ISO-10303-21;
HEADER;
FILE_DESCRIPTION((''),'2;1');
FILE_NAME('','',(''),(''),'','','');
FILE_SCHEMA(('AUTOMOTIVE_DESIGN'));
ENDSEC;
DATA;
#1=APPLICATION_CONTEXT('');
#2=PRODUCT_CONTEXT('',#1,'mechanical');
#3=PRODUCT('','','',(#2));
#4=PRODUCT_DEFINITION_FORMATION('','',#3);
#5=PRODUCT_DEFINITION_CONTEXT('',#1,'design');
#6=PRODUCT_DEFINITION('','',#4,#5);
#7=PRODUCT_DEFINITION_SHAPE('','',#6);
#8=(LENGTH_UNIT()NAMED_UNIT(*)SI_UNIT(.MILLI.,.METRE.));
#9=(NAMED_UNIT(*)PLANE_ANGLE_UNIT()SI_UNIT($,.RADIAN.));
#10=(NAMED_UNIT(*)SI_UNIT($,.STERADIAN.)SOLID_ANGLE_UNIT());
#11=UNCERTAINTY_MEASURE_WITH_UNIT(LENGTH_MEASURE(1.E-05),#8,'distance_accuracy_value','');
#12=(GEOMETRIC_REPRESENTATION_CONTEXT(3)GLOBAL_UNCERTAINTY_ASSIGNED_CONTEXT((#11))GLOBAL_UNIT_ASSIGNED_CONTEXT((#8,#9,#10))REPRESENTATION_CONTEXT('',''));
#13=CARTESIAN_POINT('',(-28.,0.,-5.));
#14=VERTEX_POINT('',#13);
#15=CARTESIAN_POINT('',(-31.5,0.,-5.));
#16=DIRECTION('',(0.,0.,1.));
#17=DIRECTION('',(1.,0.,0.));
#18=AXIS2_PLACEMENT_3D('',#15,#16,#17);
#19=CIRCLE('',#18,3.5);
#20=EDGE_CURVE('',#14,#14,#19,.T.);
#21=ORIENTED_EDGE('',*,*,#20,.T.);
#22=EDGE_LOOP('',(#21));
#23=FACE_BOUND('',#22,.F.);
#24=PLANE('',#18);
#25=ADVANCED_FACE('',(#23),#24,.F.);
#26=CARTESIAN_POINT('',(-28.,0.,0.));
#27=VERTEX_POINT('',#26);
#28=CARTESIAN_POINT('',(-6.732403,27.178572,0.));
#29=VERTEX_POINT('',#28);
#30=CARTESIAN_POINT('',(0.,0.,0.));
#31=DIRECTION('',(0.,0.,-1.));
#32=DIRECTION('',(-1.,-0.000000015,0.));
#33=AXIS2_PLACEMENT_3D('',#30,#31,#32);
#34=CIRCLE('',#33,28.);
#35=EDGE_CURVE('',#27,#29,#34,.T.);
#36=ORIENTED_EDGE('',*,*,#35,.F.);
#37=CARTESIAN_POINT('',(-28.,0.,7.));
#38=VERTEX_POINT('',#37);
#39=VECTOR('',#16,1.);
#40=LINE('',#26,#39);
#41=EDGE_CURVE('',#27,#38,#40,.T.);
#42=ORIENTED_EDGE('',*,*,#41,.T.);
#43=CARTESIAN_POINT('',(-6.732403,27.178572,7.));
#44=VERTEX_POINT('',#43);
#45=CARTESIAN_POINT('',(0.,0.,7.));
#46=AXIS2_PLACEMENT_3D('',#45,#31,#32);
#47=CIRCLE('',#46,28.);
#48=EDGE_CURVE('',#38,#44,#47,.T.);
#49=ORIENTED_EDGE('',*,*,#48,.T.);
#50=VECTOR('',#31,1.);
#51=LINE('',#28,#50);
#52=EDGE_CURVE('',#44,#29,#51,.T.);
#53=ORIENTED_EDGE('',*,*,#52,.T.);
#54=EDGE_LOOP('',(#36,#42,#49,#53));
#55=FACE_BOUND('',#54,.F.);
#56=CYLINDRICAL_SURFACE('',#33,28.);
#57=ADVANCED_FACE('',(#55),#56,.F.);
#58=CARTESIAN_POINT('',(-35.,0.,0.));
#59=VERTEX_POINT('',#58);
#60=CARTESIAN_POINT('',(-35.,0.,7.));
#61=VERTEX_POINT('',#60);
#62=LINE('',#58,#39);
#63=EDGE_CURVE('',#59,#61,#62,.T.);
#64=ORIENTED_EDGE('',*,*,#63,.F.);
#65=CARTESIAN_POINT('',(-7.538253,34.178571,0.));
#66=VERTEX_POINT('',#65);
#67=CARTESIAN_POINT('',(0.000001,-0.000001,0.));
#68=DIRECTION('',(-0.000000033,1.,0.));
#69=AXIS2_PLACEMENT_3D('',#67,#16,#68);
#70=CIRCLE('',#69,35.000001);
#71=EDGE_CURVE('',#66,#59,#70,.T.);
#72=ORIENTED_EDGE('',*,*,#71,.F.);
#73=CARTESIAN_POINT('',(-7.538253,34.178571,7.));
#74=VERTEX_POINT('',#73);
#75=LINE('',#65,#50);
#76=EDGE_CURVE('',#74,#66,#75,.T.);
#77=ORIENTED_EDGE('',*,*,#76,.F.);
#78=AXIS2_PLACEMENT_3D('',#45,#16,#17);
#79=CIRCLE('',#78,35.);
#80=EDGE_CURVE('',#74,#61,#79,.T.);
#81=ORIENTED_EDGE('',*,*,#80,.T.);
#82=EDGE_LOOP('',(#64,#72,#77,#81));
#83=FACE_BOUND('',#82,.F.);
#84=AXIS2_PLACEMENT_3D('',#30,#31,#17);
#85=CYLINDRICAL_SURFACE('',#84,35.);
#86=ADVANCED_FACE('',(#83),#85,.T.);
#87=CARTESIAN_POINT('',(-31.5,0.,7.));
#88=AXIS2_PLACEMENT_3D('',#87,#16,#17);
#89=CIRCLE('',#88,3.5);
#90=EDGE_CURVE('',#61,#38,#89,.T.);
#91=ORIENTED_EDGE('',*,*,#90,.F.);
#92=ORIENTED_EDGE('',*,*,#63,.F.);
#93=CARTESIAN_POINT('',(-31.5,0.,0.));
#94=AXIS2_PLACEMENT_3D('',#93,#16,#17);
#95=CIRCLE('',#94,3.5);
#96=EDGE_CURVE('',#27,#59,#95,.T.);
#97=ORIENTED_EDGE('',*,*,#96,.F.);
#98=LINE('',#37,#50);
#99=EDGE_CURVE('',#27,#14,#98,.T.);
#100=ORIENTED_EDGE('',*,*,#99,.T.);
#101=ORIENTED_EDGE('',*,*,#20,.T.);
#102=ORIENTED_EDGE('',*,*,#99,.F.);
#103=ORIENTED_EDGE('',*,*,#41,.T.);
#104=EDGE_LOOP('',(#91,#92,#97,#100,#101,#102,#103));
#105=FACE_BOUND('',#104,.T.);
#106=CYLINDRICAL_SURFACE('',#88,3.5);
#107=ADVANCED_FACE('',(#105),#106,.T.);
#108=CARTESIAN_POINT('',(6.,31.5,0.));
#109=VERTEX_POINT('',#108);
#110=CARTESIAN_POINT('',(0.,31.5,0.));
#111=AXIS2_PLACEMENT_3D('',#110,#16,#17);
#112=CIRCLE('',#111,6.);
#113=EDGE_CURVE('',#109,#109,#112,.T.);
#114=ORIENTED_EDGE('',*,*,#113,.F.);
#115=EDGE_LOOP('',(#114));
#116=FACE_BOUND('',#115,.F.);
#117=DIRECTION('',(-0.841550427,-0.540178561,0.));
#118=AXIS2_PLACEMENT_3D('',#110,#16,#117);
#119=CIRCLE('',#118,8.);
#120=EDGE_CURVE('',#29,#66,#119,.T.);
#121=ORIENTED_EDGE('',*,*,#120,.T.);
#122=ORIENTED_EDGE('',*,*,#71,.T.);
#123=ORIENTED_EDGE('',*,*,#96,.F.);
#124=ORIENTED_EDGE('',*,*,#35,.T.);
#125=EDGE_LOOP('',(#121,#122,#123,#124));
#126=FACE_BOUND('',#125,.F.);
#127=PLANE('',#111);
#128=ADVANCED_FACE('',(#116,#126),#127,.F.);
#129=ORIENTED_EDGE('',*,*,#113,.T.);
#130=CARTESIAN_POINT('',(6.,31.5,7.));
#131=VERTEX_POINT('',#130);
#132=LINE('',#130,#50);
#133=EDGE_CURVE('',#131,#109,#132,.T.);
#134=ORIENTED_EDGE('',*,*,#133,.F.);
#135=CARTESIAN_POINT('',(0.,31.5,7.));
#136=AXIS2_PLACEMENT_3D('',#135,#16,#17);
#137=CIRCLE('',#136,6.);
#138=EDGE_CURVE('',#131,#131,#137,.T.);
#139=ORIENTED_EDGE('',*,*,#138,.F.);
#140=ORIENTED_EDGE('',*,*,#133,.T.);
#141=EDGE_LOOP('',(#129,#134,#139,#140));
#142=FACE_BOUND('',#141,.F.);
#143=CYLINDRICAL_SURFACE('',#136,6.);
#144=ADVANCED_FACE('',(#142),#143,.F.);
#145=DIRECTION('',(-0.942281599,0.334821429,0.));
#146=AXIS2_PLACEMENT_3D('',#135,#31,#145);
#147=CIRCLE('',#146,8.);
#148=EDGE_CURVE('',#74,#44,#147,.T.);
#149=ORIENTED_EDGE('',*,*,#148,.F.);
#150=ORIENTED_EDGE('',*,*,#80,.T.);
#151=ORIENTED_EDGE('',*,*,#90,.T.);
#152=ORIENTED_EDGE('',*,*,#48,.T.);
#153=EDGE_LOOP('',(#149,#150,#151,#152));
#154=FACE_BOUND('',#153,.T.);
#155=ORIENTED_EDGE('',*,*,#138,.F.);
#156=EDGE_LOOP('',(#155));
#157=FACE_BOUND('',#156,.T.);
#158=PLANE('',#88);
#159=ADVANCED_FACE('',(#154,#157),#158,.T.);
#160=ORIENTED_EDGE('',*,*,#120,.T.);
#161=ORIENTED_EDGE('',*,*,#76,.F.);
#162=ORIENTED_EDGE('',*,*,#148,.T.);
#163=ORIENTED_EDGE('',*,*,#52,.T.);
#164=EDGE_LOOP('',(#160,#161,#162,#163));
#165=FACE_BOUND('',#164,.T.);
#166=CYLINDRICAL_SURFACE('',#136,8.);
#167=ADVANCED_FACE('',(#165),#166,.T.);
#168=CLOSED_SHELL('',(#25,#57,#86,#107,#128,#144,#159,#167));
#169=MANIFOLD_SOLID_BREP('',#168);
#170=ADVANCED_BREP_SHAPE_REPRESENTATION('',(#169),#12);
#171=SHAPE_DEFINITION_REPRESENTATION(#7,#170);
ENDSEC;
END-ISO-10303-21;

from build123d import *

# Parameters (mm, degrees)
F0_R     = 35
F2_DEPTH = 7
F3_DEPTH = 7.001
F4_R     = 8
F5_DEPTH = 7
F6_R     = 3.5
F7_DEPTH = 12
F8_R     = 6
F9_DEPTH = 12.001


with BuildPart() as f2:
    # F0 (on Top) → F2 (new body)
    with BuildSketch(Plane.XY):
        Circle(F0_R)
    extrude(amount=F2_DEPTH)

    # F1 (on face) → F3 (intersect, through all)
    with BuildSketch(Plane.XY):
        with BuildLine():
            Line((0, 28), (0, 35))
            ThreePointArc((0, 35), (-24.748737, 24.748737), (-35, 0))
            Line((-35, 0), (-28, 0))
            ThreePointArc((-28, 0), (-19.79899, 19.79899), (0, 28))
        make_face()
    extrude(amount=F3_DEPTH, mode=Mode.INTERSECT)

    # F4 (on face) → F5 (join)
    with BuildSketch(Plane.XY.offset(7)):
        with Locations((0, 31.5)):
            Circle(F4_R)
    extrude(amount=-F5_DEPTH)

    # F6 (on face) → F7 (join)
    with BuildSketch(Plane.XY.offset(7)):
        with Locations((-31.5, 0)):
            Circle(F6_R)
    extrude(amount=-F7_DEPTH)

    # F8 (on face) → F9 (cut, through all)
    with BuildSketch(Plane.XY.offset(7)):
        with Locations((0, 31.5)):
            Circle(F8_R)
    extrude(amount=-F9_DEPTH, mode=Mode.SUBTRACT)


solid = f2.part
